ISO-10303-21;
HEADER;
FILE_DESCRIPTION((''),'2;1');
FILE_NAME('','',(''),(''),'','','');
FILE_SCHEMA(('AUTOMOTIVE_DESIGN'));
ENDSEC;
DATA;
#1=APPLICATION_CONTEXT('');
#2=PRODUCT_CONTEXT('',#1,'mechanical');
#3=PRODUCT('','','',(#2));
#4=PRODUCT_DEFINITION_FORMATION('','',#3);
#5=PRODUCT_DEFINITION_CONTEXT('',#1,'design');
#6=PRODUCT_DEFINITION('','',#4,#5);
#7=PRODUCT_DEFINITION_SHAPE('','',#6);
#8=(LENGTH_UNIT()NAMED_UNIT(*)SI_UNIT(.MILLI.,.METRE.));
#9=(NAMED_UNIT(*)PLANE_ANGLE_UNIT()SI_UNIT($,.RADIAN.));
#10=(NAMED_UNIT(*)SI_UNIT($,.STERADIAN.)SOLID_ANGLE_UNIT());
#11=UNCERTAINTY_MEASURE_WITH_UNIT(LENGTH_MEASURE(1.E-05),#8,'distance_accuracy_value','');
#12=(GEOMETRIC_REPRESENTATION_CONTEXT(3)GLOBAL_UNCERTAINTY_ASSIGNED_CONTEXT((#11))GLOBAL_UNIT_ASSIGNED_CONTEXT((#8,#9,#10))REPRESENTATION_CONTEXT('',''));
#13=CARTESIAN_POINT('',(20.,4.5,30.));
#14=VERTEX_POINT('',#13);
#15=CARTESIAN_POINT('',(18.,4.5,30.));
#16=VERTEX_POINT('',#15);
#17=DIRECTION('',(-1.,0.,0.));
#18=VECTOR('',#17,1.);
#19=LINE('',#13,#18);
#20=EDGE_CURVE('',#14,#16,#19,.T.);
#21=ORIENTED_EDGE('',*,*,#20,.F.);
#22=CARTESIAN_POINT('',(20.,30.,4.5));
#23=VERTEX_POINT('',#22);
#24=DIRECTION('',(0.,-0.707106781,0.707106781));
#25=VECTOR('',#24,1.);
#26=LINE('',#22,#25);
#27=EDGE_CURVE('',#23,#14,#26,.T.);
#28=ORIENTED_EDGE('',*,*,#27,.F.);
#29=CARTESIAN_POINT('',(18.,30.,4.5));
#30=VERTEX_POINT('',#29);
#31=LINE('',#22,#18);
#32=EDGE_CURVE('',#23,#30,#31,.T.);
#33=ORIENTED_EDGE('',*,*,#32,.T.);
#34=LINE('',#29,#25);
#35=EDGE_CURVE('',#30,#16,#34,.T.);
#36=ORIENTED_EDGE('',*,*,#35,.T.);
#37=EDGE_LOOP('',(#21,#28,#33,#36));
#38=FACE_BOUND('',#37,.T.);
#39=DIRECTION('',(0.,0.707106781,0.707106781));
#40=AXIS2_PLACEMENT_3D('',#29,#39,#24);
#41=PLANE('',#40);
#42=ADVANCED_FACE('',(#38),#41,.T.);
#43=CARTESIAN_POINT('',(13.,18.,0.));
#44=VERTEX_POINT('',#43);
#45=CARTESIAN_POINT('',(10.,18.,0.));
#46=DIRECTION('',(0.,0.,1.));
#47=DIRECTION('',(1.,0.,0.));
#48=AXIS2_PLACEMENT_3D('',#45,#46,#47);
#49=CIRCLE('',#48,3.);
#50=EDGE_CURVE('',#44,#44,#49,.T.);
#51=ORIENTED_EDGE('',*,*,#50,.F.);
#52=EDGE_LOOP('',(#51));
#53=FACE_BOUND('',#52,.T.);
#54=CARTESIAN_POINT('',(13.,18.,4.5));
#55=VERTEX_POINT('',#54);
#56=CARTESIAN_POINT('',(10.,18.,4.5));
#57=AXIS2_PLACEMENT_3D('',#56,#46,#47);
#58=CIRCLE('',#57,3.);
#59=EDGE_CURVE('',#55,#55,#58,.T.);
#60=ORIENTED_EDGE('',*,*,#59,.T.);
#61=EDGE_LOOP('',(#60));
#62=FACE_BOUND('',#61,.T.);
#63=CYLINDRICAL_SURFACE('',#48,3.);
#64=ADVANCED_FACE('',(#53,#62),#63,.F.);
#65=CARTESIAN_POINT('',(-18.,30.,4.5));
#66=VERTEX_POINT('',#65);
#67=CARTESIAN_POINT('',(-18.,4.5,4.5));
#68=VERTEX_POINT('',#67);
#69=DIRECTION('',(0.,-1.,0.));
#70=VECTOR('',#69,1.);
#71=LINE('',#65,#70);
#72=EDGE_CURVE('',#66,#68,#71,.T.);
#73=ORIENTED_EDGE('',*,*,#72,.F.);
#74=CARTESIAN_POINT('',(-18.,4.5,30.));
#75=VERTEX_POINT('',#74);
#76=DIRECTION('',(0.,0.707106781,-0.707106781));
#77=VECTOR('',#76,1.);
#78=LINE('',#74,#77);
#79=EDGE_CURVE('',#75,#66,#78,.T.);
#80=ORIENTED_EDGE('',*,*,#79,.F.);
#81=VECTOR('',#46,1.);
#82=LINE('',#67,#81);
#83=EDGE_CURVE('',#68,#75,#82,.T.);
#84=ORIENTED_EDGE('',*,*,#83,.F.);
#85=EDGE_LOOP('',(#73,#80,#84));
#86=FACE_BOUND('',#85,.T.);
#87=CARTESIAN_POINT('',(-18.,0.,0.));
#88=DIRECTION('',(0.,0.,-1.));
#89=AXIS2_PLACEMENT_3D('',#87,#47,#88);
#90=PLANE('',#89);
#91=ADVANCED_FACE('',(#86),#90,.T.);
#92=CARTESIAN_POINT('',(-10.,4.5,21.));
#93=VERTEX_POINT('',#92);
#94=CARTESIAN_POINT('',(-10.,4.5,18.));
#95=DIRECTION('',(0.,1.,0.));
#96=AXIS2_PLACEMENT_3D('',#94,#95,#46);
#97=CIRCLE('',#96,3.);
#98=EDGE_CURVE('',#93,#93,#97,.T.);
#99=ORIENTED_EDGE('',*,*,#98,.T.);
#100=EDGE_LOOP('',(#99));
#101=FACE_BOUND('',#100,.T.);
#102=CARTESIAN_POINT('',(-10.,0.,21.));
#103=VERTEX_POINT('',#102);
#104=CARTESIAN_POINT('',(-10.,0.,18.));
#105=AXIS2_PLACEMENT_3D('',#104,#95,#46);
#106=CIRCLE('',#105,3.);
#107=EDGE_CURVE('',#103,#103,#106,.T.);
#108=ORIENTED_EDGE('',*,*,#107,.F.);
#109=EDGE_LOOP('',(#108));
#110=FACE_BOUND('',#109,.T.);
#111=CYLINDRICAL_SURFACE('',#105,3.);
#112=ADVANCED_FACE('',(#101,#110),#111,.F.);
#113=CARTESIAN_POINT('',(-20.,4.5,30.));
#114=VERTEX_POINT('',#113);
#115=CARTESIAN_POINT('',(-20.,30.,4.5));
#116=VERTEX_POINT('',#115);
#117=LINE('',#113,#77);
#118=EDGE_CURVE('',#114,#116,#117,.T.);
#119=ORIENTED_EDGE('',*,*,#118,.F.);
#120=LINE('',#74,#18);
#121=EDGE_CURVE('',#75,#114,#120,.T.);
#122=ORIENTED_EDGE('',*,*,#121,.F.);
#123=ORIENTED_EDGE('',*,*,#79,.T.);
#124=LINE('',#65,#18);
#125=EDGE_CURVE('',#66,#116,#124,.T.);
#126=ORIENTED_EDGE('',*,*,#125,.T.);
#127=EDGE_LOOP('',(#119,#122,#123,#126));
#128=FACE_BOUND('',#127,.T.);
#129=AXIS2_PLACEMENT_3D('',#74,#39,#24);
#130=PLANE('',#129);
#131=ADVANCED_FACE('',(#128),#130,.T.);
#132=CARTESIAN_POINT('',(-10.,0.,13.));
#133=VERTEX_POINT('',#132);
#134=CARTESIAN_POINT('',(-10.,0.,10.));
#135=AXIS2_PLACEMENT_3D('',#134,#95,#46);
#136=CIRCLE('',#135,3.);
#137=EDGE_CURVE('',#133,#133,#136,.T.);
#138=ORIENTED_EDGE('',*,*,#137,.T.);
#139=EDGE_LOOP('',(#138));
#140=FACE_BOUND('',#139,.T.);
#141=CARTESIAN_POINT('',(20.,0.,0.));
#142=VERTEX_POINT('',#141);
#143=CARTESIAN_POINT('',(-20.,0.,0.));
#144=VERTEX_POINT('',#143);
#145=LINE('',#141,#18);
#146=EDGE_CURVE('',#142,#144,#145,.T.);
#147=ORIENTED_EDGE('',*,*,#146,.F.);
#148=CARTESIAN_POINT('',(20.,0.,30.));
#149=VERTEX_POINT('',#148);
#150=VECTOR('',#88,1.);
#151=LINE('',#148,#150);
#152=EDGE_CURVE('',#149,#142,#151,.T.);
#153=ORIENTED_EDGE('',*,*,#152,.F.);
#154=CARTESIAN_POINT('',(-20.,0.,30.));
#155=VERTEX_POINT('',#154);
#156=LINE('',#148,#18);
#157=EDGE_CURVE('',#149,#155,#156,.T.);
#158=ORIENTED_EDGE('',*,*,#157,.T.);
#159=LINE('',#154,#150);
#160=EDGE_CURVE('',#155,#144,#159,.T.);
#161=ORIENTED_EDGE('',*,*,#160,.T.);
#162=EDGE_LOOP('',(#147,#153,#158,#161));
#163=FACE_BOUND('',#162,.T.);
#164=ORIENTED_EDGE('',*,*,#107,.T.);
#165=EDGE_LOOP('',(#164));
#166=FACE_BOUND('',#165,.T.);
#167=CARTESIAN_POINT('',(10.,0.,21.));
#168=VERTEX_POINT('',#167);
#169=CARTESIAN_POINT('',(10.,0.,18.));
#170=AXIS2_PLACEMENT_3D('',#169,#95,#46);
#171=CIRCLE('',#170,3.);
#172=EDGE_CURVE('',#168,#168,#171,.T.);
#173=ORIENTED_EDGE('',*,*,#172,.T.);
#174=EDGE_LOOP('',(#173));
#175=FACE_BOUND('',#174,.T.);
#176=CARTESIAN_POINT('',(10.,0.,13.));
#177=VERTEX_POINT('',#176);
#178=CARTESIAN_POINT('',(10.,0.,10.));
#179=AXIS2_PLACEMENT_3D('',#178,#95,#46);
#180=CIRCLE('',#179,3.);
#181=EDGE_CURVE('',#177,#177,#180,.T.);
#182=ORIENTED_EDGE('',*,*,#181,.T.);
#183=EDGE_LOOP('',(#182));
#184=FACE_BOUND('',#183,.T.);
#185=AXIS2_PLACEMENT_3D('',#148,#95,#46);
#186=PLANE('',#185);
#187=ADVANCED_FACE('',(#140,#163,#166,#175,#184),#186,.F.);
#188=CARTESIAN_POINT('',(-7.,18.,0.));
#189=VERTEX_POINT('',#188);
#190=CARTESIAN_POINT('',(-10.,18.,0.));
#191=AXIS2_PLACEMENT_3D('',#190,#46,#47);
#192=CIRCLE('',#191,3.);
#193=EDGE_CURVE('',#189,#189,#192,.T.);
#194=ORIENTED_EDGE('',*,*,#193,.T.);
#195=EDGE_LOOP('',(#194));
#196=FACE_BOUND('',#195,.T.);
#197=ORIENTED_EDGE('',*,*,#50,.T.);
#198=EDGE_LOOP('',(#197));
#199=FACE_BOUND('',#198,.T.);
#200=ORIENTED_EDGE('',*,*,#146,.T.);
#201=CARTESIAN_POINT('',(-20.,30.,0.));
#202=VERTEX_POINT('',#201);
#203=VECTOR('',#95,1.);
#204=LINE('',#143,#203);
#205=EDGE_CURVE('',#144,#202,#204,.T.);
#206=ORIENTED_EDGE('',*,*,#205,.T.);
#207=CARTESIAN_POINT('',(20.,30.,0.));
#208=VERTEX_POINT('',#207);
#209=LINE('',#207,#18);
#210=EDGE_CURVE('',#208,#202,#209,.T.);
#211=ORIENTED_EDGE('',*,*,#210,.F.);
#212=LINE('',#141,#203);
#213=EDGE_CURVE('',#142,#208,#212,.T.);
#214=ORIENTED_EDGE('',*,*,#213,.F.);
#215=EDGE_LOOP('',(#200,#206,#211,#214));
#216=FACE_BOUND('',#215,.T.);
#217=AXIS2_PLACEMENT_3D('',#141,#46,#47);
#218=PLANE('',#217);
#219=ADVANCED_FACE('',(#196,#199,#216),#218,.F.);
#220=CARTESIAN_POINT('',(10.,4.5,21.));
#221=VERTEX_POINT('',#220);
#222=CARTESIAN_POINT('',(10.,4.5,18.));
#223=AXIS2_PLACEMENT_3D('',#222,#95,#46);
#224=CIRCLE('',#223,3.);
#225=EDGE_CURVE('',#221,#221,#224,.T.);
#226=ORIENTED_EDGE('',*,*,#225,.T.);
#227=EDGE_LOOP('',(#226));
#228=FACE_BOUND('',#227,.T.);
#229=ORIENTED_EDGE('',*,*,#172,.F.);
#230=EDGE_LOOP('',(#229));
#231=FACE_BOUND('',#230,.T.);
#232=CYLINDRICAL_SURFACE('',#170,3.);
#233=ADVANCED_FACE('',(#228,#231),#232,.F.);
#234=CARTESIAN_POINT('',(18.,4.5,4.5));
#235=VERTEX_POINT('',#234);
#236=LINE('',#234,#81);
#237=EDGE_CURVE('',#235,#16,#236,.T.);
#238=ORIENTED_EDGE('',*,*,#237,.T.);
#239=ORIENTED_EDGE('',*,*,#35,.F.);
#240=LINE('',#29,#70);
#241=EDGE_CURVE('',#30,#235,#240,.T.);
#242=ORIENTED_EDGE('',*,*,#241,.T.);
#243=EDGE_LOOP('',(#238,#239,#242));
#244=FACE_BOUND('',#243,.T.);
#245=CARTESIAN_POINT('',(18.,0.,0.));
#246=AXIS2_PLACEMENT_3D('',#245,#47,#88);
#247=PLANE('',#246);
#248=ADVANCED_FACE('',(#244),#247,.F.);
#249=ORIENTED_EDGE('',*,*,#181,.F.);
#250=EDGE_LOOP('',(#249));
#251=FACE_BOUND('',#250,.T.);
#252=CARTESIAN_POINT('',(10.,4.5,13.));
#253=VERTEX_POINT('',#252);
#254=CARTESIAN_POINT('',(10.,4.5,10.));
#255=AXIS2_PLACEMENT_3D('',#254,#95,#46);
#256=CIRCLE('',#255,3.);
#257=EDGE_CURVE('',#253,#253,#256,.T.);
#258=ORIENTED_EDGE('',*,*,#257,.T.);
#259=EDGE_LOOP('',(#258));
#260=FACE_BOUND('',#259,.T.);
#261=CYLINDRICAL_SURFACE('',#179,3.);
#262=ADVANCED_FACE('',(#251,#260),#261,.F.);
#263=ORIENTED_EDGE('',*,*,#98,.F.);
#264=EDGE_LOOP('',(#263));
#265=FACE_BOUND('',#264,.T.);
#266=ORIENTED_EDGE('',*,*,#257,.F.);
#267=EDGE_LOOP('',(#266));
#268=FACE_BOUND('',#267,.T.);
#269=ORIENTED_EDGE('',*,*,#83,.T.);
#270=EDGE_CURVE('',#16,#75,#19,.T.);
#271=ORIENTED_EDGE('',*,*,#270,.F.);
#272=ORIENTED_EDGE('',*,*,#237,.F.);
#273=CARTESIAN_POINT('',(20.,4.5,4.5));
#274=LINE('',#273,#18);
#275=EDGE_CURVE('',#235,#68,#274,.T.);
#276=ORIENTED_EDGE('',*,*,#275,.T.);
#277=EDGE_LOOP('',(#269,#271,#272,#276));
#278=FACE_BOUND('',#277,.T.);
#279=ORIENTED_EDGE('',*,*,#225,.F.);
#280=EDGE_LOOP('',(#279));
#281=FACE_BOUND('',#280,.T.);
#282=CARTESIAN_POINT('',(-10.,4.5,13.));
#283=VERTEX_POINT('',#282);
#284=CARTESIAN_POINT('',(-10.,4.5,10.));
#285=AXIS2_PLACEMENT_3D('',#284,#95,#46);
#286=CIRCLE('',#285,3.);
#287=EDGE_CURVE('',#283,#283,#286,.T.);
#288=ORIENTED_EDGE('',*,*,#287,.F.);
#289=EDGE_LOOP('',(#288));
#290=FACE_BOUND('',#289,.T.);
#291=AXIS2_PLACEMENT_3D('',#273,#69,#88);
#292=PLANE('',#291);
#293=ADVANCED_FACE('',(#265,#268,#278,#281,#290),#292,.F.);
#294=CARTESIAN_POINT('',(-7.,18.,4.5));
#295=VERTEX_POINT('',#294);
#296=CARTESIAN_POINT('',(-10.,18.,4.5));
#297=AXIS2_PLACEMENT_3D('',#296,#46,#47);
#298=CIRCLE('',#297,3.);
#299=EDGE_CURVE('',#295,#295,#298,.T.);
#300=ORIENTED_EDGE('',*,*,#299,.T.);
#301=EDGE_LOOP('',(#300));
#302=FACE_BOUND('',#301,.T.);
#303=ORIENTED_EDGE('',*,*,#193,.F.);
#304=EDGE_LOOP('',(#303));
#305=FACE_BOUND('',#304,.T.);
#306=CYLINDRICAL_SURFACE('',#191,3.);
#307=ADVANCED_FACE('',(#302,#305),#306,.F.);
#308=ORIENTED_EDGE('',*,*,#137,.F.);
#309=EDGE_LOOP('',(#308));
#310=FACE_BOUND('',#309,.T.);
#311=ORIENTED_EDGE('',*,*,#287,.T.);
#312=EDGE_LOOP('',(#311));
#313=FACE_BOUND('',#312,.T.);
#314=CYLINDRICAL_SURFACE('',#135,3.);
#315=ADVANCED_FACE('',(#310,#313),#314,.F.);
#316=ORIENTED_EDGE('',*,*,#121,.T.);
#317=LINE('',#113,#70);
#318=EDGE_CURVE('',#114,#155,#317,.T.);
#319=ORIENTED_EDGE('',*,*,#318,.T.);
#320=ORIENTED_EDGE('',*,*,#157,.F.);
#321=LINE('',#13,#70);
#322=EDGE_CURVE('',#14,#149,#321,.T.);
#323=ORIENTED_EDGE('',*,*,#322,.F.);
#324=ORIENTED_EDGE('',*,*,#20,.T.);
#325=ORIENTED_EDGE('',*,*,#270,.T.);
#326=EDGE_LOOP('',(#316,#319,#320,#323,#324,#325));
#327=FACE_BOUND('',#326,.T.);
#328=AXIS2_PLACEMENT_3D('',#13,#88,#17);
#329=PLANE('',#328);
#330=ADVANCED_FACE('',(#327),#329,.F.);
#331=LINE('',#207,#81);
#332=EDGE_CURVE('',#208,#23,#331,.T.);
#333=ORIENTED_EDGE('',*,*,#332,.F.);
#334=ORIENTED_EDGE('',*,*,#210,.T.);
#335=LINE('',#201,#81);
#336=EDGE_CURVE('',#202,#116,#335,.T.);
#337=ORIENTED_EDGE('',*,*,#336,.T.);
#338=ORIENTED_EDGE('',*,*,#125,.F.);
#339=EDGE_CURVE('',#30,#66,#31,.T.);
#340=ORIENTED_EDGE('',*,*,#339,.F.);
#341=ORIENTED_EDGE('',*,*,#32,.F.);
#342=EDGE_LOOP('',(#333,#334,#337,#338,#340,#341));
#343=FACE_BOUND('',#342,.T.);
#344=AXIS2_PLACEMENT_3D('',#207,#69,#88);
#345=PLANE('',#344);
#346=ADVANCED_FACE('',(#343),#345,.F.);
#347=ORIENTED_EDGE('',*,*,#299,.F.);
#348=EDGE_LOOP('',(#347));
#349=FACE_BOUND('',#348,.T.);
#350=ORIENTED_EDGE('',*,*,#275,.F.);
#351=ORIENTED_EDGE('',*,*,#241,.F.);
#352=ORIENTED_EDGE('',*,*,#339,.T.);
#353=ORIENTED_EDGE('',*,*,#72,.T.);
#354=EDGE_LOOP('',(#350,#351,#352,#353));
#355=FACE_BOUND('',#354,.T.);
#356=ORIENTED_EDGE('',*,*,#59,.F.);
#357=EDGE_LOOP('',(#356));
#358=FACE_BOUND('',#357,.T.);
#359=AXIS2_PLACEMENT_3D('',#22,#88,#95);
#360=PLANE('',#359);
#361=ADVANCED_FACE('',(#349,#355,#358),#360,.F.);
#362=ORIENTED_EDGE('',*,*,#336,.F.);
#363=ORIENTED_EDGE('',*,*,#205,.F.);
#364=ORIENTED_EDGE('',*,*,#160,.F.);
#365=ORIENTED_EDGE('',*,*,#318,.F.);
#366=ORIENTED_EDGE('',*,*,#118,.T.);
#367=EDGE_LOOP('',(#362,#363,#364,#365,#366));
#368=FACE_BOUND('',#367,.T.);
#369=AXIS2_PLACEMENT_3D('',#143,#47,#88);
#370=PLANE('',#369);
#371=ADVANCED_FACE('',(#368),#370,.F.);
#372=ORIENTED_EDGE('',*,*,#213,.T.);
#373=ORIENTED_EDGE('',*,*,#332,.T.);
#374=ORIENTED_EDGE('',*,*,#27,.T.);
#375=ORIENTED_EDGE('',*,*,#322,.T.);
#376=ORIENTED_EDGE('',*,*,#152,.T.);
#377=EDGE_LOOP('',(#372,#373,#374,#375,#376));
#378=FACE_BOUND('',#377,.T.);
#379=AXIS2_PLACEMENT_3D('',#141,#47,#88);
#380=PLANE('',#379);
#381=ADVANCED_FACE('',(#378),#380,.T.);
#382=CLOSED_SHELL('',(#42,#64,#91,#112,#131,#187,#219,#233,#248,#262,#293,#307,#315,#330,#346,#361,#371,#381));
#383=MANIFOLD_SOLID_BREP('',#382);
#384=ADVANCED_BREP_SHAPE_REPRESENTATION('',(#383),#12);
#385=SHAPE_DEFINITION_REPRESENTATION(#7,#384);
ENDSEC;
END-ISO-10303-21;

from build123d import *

# Parameters (mm, degrees)
BOSS_EXTRUDE1_DEPTH = 20
SKETCH2_R           = 3
CUT_EXTRUDE1_DEPTH  = 5.5
SKETCH3_R           = 3
CUT_EXTRUDE2_DEPTH  = 5.5
BOSS_EXTRUDE2_DEPTH = 2
BOSS_EXTRUDE3_DEPTH = 2


with BuildPart() as part:
    # Sketch1 → Boss-Extrude1 (new body, symmetric)
    with BuildSketch(Plane(origin=(0, 0, 0), x_dir=(0, 0, -1), z_dir=(1, 0, 0))):
        Polygon((0, 0), (0, 30), (-4.5, 30), (-4.5, 4.5), (-30, 4.5), (-30, 0), align=None)
    extrude(amount=BOSS_EXTRUDE1_DEPTH, both=True)

    # Sketch2 → Cut-Extrude1 (cut, through all)
    with BuildSketch(Plane.XY.offset(4.5)):
        with Locations((-10, 18)):
            Circle(SKETCH2_R)
        with Locations((10, 18)):
            Circle(SKETCH2_R)
    extrude(amount=-CUT_EXTRUDE1_DEPTH, mode=Mode.SUBTRACT)

    # Sketch3 → Cut-Extrude2 (cut, through all)
    with BuildSketch(Plane(origin=(0, 4.5, 0), x_dir=(1, 0, 0), z_dir=(0, 1, 0))):
        with Locations((-10, -10)):
            Circle(SKETCH3_R)
        with Locations((-10, -18)):
            Circle(SKETCH3_R)
        with Locations((10, -10)):
            Circle(SKETCH3_R)
        with Locations((10, -18)):
            Circle(SKETCH3_R)
    extrude(amount=-CUT_EXTRUDE2_DEPTH, mode=Mode.SUBTRACT)

    # Sketch4 → Boss-Extrude2 (add)
    with BuildSketch(Plane(origin=(20, 0, 0), x_dir=(0, 0, -1), z_dir=(1, 0, 0))):
        Polygon((0, 0), (0, 30), (-4.5, 30), (-30, 4.5), (-30, 0), align=None)
    extrude(amount=-BOSS_EXTRUDE2_DEPTH)

    # Sketch5 → Boss-Extrude3 (add)
    with BuildSketch(Plane.ZY.offset(20)):
        Polygon((30, 4.5), (4.5, 30), (4.5, 4.5), align=None)
    extrude(amount=-BOSS_EXTRUDE3_DEPTH)


solid = part.part
